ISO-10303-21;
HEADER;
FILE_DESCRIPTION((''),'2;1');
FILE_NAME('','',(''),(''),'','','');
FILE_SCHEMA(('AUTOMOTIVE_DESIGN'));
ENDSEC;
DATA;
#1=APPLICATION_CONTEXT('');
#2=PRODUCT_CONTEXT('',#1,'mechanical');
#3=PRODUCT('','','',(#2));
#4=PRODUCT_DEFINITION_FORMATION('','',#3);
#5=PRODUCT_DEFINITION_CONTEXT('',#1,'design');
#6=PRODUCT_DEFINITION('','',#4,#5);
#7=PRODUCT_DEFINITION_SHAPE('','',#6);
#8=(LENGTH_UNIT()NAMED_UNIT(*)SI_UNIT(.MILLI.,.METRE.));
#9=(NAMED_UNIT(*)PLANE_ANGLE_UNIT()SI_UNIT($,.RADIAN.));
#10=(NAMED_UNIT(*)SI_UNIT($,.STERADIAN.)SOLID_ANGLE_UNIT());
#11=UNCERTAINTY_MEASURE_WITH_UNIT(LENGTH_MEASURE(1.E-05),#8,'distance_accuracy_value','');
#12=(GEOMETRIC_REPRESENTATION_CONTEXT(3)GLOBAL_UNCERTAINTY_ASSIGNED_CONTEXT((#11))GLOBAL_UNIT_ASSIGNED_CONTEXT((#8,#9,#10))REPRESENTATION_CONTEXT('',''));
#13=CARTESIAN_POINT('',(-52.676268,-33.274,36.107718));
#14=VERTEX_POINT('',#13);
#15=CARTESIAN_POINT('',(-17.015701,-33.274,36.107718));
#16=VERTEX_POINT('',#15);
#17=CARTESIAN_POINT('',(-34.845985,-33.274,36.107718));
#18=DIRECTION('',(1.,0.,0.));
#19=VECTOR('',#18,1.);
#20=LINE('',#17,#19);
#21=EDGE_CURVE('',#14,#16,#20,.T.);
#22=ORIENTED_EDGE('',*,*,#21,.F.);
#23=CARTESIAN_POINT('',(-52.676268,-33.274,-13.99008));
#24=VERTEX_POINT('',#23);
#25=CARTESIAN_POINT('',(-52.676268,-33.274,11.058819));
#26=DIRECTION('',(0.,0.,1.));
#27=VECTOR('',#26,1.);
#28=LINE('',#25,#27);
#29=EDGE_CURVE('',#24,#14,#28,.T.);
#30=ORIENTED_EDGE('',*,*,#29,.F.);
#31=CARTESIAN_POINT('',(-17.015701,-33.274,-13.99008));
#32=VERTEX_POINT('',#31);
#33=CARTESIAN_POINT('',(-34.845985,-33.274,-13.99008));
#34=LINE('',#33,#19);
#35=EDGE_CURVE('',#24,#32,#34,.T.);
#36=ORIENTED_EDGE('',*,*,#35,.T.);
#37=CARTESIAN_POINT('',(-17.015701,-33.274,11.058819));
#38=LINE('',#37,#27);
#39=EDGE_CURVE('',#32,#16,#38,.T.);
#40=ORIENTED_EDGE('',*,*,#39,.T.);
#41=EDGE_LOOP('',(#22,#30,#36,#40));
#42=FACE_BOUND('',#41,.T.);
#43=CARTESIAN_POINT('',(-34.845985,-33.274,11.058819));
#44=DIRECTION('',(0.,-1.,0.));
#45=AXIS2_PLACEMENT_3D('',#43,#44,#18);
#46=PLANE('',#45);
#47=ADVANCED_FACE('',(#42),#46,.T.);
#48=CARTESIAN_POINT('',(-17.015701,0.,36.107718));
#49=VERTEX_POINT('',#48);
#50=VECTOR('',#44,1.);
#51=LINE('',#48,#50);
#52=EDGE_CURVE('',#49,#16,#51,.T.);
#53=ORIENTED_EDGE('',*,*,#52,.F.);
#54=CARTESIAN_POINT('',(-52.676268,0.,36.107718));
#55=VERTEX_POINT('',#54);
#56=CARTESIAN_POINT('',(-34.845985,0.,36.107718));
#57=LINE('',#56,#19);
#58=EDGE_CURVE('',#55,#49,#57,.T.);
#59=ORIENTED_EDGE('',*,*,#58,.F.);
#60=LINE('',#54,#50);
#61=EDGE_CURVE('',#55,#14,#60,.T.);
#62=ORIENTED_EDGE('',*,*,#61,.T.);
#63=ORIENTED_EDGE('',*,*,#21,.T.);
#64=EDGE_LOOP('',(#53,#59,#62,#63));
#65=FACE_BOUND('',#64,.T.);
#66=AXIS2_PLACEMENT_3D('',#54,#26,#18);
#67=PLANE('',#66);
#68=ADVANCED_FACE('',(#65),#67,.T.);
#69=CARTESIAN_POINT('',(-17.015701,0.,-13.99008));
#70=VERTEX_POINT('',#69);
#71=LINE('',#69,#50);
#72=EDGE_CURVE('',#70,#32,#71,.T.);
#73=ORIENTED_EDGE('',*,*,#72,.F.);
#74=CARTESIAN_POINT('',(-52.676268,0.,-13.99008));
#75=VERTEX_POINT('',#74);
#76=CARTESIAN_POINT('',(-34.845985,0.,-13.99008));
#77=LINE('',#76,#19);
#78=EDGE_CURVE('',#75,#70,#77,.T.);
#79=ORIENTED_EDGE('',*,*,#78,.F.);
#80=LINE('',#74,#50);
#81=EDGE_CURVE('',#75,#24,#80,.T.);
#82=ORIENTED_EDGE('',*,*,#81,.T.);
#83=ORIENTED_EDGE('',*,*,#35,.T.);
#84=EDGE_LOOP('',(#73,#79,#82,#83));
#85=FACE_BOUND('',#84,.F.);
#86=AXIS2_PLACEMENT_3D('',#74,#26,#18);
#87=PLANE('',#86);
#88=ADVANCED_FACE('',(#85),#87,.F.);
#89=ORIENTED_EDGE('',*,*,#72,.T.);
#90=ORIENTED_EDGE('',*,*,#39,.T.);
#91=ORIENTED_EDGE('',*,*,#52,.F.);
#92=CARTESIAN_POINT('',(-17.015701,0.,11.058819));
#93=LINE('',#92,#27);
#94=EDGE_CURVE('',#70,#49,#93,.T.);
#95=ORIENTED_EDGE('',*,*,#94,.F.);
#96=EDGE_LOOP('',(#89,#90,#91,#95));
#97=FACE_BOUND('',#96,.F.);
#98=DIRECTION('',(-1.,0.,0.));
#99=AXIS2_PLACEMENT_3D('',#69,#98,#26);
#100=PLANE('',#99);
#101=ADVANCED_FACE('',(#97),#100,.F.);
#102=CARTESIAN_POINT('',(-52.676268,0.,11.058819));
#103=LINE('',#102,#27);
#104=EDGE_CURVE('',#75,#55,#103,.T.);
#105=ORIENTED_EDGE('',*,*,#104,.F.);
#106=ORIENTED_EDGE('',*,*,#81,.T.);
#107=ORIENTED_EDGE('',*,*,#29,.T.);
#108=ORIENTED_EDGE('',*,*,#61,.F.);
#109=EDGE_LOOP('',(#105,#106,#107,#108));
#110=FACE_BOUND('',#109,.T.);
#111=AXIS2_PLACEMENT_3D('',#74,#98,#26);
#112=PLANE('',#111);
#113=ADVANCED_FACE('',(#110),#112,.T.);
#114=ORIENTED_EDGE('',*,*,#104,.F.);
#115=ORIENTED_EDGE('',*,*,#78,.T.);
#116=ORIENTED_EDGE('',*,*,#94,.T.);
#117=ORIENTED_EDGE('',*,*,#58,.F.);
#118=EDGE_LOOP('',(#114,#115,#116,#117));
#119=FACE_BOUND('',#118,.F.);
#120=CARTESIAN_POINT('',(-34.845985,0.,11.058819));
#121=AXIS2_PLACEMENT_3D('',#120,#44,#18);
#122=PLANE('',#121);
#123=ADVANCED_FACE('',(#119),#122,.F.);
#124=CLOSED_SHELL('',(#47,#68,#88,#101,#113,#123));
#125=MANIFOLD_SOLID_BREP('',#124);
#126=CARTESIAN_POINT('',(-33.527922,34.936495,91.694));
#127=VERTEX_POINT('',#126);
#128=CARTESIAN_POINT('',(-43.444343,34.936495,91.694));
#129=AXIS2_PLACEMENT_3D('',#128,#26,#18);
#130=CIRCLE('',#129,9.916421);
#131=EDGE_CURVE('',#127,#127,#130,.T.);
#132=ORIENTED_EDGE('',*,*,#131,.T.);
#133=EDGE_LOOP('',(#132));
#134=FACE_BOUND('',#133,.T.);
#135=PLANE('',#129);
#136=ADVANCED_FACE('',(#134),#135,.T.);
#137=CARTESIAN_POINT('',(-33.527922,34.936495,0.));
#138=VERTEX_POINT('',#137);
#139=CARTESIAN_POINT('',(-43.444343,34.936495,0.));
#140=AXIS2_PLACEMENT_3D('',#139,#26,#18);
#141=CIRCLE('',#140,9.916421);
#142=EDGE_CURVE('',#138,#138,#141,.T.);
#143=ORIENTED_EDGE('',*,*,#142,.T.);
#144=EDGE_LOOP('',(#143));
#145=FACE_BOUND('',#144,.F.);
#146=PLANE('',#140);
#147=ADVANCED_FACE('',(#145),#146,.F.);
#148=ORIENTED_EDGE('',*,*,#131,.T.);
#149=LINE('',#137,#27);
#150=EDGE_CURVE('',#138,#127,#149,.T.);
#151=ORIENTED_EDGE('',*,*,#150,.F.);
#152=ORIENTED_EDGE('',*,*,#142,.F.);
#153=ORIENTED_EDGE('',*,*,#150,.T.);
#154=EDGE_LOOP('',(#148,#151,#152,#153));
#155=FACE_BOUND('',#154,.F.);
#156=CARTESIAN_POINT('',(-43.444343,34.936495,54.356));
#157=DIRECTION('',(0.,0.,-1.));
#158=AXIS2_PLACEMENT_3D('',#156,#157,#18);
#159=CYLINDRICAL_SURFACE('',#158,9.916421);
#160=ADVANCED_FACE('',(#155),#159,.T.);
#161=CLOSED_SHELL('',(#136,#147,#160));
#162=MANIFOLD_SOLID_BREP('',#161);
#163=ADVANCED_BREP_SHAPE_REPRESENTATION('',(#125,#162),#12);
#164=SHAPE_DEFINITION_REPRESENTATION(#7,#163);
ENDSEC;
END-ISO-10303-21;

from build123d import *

# Parameters (mm, degrees)
F0_R      = 9.916421
F1_DEPTH  = 54.356
F1_FACE_R = 9.916421
F2_DEPTH  = 37.338
F3_W      = 35.660567
F3_H      = 50.097799
F4_DEPTH  = 33.274


with BuildPart() as f1:
    # F0 (on Top) → F1 (new body)
    with BuildSketch(Plane.XY):
        with Locations((-43.444343, 34.936495)):
            Circle(F0_R)
    extrude(amount=F1_DEPTH)

    # F1_face (on face) → F2 (join)
    with BuildSketch(Plane(origin=(-43.444343, 34.936495, 54.356), x_dir=(1, 0, 0), z_dir=(0, 0, 1))):
        Circle(F1_FACE_R)
    extrude(amount=F2_DEPTH)


with BuildPart() as f4:
    # F3 (on Front) → F4 (new body)
    with BuildSketch(Plane.XZ):
        with Locations((-34.845985, 11.058819)):
            Rectangle(F3_W, F3_H)
    extrude(amount=F4_DEPTH)


solid = Compound([f1.part, f4.part])
